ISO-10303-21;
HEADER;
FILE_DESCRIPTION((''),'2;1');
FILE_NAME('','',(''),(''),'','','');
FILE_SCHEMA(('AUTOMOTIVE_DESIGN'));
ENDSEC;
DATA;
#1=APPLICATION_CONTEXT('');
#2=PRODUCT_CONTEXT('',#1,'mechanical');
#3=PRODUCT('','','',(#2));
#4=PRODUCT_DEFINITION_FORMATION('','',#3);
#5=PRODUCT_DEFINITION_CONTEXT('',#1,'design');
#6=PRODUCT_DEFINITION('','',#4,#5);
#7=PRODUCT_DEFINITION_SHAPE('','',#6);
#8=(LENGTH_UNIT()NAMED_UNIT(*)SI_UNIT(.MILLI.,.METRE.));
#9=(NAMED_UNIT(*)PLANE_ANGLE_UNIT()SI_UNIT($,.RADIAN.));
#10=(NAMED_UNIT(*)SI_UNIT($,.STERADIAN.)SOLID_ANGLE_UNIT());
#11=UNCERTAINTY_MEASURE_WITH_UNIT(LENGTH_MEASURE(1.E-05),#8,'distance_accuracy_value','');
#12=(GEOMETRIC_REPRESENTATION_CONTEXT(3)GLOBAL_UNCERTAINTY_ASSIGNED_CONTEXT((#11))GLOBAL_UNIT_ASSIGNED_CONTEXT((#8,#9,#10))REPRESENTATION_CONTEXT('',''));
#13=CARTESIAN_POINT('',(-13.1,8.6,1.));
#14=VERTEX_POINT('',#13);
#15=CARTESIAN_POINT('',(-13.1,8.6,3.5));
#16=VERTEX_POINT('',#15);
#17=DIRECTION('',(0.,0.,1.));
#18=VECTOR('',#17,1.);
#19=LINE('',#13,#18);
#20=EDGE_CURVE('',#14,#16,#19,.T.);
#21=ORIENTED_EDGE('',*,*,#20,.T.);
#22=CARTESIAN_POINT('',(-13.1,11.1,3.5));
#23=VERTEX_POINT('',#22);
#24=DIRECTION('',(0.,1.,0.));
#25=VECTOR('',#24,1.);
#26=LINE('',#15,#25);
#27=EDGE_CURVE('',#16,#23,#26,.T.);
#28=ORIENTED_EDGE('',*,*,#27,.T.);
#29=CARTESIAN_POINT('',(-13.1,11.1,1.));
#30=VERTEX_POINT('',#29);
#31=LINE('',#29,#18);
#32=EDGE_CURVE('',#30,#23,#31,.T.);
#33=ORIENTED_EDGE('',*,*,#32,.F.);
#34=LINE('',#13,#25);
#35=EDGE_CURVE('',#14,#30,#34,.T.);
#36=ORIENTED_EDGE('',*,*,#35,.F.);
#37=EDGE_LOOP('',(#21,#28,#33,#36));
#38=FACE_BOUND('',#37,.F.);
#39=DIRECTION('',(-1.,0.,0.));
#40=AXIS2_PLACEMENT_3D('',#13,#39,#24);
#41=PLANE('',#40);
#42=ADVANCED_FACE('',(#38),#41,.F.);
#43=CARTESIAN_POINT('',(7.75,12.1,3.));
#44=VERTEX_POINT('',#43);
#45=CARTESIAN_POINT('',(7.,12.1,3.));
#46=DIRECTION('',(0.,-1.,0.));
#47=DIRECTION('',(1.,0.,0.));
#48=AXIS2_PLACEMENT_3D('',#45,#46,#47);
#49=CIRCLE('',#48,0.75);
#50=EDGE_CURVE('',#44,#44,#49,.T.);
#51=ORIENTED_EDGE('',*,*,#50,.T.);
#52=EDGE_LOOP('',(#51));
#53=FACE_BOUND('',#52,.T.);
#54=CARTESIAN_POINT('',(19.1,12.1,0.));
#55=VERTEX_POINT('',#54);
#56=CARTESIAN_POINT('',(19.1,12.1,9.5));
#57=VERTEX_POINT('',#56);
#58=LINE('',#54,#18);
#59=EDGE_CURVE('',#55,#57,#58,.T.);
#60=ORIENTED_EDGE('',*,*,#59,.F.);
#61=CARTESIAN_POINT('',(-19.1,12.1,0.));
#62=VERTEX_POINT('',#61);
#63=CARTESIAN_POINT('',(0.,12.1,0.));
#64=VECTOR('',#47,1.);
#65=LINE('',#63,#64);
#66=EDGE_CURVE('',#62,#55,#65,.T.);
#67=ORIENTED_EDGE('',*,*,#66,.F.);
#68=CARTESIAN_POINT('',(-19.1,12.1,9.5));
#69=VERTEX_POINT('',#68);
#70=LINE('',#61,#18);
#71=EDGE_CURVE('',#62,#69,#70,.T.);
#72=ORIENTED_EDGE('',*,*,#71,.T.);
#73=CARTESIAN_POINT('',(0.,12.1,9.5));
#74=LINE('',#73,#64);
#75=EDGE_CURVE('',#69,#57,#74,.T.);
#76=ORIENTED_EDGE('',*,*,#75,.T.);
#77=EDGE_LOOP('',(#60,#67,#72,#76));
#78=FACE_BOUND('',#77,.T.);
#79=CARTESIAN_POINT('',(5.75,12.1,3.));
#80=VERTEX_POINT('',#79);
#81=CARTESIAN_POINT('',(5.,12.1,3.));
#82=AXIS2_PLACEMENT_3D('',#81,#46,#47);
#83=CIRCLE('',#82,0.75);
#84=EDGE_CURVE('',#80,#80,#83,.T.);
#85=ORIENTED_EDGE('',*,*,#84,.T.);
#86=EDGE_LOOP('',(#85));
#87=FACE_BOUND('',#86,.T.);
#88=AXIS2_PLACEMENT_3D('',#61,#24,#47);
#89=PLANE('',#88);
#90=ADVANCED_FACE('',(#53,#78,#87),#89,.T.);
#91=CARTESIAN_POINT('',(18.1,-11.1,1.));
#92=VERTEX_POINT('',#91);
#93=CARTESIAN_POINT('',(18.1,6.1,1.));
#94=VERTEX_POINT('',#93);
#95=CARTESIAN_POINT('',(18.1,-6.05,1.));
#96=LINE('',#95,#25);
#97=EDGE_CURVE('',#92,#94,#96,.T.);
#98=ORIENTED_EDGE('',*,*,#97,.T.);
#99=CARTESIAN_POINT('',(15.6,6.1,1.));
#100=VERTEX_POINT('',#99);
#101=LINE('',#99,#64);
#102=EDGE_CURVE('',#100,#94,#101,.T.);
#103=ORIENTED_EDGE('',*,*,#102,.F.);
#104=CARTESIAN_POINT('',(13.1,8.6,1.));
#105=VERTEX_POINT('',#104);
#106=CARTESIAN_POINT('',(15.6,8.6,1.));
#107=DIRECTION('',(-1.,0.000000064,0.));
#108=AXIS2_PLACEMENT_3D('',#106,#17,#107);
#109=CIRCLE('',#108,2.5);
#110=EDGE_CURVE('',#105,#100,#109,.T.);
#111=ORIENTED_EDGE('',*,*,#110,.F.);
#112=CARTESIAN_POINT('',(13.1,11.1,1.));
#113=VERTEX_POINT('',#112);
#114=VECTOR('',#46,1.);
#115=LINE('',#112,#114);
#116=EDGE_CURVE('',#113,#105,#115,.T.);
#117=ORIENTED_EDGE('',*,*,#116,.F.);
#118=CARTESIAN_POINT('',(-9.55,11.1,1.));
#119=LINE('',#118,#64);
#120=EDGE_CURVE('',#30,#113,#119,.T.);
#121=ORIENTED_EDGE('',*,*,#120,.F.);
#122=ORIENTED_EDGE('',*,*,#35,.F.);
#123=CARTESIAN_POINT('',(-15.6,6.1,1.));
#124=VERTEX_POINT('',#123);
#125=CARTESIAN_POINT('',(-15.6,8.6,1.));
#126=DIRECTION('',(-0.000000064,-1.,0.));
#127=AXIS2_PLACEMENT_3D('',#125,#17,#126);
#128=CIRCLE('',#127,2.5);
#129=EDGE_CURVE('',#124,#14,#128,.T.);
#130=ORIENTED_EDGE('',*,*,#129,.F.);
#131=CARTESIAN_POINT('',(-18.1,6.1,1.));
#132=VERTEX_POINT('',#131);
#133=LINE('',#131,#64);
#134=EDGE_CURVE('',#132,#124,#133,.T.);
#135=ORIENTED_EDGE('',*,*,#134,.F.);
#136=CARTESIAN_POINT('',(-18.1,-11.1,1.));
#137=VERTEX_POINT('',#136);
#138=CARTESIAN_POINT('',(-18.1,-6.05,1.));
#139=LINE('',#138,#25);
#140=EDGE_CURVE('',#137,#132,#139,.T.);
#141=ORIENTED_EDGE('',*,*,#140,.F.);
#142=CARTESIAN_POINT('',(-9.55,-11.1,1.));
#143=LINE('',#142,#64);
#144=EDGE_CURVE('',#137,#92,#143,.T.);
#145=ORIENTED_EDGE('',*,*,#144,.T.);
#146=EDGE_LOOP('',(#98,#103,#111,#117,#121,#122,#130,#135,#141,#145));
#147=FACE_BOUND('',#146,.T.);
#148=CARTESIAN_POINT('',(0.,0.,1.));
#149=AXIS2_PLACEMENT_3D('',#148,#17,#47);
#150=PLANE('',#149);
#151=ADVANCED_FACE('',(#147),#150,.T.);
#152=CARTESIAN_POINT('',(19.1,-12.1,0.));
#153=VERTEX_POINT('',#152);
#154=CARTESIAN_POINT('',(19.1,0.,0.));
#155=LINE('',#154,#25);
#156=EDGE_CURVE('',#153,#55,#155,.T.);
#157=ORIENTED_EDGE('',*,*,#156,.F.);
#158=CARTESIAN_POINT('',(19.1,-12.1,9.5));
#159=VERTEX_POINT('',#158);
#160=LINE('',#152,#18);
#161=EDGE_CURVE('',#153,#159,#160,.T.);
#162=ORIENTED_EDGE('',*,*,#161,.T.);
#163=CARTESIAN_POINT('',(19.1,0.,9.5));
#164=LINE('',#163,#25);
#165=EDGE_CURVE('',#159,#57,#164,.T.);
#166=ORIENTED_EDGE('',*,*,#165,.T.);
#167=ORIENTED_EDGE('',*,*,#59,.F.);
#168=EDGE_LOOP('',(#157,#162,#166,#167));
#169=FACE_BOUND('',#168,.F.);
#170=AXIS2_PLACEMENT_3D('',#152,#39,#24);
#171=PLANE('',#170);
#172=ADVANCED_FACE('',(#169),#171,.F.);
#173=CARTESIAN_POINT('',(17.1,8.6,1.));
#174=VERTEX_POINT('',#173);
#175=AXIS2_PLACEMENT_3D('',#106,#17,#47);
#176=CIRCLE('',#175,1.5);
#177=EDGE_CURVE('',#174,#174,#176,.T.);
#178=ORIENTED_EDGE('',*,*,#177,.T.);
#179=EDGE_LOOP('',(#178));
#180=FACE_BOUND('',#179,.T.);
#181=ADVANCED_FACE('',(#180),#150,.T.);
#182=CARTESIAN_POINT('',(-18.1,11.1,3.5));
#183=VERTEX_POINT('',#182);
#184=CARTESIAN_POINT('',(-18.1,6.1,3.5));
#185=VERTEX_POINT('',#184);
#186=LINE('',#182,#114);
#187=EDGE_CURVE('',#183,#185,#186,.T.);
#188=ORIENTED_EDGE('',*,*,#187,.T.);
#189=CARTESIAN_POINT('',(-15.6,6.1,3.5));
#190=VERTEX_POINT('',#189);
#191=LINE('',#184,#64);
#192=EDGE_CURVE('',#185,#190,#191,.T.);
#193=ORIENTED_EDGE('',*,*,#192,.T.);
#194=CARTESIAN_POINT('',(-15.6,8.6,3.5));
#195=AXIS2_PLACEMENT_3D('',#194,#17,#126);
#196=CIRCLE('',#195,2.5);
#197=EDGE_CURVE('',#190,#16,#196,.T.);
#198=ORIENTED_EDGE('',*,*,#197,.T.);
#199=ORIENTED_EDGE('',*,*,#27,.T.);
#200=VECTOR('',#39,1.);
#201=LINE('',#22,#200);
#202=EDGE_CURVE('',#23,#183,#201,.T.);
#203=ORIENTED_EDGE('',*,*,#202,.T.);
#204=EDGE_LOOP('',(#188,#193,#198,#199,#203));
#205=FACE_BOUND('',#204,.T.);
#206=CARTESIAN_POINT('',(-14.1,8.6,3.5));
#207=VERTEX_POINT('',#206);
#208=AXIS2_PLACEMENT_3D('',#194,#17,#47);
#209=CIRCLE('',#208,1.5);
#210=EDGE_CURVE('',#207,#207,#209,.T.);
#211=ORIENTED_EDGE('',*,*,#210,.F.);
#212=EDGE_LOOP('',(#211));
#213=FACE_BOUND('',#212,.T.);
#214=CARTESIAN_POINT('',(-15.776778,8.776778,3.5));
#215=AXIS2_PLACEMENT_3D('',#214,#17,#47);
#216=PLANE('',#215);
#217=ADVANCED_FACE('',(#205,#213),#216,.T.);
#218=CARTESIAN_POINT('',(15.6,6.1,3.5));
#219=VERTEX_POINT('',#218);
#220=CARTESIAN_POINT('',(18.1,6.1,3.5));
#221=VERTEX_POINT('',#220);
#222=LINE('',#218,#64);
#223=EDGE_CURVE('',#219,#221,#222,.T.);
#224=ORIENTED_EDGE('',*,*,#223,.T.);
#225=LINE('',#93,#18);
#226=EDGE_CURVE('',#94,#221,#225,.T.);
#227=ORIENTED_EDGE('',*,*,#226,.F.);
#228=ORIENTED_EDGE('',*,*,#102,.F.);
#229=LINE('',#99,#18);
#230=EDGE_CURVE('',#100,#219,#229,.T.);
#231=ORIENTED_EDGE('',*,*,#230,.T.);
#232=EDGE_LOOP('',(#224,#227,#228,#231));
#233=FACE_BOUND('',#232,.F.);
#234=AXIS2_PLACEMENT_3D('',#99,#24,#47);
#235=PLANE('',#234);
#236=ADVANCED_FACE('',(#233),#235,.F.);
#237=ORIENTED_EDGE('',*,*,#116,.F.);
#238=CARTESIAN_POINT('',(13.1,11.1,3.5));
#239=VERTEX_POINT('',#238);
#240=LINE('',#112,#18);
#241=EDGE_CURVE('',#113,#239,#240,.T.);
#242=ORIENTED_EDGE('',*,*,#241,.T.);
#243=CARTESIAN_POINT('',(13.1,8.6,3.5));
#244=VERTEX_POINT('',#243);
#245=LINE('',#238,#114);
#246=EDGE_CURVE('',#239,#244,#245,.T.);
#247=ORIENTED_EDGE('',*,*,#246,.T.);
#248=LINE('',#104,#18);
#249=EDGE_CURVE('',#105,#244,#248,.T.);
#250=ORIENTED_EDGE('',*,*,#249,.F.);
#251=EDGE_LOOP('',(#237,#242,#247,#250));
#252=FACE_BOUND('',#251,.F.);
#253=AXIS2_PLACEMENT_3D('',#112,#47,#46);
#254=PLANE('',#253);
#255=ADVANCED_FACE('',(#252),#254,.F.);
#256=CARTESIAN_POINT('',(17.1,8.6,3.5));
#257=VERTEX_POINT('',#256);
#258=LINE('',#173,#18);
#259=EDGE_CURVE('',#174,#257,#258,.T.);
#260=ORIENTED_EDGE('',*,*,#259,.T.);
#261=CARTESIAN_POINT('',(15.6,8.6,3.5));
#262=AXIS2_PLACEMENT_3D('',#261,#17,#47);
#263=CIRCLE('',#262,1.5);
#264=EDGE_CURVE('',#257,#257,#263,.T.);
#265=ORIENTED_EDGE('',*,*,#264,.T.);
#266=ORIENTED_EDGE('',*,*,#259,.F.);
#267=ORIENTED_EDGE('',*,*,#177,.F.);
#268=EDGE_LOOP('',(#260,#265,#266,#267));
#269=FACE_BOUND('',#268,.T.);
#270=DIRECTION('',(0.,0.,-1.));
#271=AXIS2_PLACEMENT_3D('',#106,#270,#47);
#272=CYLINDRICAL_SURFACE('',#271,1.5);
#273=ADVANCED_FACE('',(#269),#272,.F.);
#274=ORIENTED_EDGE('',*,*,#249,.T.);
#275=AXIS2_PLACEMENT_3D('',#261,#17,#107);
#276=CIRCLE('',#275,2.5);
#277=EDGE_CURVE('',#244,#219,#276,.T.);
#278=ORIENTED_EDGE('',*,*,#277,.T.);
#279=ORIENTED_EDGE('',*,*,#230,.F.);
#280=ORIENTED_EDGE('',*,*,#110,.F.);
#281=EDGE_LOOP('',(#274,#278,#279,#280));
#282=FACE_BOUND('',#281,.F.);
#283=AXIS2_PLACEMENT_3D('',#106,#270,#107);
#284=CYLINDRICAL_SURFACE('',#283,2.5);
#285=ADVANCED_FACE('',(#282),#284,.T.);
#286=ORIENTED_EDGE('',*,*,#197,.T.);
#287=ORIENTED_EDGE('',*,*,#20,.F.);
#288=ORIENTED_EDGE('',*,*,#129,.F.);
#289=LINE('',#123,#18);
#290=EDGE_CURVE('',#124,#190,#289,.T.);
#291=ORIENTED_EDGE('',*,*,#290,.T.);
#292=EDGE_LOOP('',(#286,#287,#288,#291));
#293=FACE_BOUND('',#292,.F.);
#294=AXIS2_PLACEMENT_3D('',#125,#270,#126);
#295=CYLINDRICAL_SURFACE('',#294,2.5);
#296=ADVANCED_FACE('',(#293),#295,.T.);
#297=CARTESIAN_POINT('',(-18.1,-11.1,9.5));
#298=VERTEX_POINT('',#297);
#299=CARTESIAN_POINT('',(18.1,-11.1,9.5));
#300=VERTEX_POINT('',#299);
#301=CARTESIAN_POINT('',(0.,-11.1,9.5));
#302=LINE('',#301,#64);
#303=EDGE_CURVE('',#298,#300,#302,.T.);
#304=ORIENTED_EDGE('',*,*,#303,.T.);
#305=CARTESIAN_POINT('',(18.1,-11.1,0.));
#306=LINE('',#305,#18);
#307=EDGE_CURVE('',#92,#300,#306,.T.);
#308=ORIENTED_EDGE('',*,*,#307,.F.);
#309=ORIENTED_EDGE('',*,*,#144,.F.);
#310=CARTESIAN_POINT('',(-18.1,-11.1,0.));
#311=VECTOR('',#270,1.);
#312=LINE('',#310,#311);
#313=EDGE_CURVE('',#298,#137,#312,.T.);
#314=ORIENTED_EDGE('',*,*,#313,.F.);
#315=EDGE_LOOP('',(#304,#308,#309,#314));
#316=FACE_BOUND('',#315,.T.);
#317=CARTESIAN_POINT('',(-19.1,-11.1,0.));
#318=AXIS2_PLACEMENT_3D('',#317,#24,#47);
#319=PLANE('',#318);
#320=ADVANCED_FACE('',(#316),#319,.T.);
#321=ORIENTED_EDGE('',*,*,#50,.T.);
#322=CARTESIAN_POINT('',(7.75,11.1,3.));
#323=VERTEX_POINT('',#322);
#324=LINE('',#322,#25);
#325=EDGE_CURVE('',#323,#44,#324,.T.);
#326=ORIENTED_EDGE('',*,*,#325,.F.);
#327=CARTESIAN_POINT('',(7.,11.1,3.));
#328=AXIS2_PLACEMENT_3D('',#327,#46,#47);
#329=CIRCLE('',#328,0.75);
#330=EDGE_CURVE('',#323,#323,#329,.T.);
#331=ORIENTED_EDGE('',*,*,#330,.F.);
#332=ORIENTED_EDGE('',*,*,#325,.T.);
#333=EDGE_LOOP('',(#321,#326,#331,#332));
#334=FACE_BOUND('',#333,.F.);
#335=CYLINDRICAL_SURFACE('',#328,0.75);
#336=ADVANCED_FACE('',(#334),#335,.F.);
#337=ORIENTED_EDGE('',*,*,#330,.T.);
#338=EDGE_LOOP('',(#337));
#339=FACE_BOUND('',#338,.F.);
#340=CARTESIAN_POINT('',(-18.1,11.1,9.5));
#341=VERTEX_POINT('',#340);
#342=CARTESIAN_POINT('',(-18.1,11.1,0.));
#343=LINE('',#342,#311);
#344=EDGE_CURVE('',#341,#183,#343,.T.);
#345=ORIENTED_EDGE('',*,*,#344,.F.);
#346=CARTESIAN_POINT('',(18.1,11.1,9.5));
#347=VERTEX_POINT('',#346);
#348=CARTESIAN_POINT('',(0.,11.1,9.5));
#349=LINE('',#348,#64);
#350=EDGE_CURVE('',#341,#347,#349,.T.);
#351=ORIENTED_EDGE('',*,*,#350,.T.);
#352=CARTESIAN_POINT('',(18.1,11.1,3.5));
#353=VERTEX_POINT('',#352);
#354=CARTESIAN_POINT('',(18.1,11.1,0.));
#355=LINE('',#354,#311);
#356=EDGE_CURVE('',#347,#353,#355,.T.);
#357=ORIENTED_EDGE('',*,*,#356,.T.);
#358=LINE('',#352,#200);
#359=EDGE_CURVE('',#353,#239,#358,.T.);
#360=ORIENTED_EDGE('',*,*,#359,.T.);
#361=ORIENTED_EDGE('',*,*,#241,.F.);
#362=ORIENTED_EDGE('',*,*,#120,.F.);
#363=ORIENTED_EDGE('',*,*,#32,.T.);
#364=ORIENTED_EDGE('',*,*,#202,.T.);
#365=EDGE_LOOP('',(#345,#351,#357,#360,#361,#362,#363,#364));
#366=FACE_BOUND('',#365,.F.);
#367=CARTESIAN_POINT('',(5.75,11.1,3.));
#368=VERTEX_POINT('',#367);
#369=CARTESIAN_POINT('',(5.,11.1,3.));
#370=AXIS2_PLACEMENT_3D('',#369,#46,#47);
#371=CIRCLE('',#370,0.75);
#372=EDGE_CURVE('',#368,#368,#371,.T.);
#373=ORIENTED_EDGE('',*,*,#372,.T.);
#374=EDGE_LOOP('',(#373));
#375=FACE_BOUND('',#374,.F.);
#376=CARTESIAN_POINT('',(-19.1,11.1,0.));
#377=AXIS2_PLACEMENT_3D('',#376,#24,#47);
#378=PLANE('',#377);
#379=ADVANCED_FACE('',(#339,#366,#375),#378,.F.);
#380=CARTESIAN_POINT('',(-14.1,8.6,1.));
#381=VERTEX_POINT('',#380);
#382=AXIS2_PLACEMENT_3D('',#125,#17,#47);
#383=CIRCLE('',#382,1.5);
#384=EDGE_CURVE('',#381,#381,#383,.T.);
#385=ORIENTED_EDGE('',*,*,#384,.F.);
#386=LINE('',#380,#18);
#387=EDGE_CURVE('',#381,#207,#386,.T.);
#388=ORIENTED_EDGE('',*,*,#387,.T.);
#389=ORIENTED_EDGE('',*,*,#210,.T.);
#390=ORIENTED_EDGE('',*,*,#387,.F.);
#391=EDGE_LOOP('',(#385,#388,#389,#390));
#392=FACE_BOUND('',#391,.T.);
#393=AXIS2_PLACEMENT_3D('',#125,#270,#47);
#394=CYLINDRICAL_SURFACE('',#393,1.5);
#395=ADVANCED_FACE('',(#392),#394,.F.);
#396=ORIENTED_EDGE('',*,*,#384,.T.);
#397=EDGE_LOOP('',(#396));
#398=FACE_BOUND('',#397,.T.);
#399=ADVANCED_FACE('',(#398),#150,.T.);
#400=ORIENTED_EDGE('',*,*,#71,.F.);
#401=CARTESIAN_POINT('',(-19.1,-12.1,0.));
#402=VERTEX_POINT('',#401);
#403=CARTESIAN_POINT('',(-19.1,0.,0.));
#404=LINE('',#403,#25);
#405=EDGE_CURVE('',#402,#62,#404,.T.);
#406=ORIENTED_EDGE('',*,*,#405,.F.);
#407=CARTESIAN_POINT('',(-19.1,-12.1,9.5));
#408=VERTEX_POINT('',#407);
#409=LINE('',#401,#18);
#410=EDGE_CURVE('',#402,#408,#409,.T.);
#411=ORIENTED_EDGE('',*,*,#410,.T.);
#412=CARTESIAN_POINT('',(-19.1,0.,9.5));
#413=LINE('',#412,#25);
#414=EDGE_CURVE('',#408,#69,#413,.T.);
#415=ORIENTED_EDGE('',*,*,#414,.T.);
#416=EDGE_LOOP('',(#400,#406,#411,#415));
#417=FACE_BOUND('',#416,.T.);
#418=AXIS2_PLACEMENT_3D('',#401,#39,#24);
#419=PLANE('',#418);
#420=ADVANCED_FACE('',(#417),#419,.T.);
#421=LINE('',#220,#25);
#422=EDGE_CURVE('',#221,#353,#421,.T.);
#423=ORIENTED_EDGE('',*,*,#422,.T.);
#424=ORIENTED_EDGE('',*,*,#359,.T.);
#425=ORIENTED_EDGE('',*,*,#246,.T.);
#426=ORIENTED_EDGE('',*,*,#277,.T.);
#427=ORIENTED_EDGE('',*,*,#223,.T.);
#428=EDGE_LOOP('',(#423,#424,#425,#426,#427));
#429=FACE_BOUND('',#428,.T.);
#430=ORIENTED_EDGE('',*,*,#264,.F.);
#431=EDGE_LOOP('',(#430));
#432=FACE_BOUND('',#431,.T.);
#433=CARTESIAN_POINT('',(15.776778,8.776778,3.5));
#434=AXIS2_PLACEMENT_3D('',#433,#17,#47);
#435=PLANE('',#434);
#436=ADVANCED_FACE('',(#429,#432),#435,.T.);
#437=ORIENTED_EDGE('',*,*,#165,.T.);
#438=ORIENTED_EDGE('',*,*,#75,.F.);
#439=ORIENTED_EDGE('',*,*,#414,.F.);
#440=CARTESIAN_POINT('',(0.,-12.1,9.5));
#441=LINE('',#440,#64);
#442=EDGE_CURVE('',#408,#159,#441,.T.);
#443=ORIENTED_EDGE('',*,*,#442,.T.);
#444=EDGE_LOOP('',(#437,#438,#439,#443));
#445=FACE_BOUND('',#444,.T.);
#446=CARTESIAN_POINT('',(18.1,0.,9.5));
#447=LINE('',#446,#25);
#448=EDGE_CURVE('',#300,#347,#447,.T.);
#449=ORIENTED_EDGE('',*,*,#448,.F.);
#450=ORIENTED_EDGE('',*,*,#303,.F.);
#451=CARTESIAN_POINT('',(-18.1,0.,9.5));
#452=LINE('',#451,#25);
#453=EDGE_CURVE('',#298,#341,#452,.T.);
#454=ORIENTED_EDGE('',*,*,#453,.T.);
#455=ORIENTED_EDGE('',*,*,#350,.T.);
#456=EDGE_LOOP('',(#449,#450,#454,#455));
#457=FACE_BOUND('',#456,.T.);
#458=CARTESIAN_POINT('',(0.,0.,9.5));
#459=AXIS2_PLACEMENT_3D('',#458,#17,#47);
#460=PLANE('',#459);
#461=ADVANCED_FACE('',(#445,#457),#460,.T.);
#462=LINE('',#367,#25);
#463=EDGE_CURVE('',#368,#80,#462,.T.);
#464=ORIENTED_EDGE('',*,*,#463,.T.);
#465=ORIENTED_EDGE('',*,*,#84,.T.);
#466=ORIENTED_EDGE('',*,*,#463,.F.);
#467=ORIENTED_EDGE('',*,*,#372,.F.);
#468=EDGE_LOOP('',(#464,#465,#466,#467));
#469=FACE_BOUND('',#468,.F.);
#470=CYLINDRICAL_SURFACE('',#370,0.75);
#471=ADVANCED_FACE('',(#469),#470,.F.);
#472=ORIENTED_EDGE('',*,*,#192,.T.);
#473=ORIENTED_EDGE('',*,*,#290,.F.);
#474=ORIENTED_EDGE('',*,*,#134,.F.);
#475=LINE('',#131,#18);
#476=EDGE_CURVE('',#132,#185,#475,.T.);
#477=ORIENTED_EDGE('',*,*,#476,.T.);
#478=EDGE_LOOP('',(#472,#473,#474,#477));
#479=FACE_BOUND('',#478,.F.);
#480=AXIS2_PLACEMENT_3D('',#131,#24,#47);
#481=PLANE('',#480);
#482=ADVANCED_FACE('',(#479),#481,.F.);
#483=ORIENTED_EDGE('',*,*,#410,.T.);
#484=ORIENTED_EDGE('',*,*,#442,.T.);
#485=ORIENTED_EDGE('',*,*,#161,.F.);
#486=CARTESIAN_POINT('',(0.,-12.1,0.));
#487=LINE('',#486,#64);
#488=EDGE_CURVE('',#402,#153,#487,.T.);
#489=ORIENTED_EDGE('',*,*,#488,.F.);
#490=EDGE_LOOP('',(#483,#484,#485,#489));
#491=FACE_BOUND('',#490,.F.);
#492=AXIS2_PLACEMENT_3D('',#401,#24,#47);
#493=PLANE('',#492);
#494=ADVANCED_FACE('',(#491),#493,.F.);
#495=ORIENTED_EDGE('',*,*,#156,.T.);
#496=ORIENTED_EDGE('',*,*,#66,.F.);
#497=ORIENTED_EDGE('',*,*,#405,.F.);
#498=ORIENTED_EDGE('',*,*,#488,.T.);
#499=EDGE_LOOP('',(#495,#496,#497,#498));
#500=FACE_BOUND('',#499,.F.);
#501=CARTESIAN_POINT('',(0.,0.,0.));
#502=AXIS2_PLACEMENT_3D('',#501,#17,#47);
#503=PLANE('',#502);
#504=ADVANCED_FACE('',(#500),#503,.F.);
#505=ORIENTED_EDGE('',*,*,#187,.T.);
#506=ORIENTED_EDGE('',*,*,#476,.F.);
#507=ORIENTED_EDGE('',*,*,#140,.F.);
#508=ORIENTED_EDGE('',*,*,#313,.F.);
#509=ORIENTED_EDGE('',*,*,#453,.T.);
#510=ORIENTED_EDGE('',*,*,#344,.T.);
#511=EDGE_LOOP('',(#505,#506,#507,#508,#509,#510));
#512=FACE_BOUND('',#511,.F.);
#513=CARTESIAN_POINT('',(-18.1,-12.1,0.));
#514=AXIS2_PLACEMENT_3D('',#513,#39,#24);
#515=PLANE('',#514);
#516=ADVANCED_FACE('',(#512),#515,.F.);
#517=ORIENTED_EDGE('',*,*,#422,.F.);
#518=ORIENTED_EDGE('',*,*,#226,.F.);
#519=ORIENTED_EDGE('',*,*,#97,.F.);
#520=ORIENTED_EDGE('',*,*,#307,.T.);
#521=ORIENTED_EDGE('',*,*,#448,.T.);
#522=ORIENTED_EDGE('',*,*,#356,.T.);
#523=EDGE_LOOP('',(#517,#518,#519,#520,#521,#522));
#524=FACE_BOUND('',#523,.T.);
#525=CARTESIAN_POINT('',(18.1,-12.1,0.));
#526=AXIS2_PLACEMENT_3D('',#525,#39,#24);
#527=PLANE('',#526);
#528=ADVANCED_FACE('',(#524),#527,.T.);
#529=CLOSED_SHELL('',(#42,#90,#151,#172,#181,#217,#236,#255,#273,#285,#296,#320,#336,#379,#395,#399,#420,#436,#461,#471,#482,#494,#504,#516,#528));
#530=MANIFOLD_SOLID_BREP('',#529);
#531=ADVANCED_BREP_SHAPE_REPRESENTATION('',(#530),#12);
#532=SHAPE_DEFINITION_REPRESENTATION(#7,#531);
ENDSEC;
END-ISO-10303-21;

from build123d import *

# Parameters (mm, degrees)
F0_W     = 38.2
F0_H     = 24.2
F1_DEPTH = 9.5
F2_T     = -1
F3_R     = 1.5
F4_DEPTH = 2.5
F5_R     = 0.75
F6_DEPTH = 1


with BuildPart() as f1:
    # F0 (on Top) → F1 (new body)
    with BuildSketch(Plane.XY):
        Rectangle(F0_W, F0_H)
    extrude(amount=F1_DEPTH)

    # F2
    f2_openings = [f1.faces().sort_by_distance(p)[0] for p in [
        (0, 0, 9.5),
    ]]
    offset(amount=F2_T, openings=f2_openings)

    # F3 (on face) → F4 (join)
    with BuildSketch(Plane.XY.offset(1)):
        with BuildLine():
            Line((-18.1, 6.1), (-15.6, 6.1))
            ThreePointArc((-15.6, 6.1), (-13.832233, 6.832233), (-13.1, 8.6))
            Line((-13.1, 8.6), (-13.1, 11.1))
            Line((-13.1, 11.1), (-18.1, 11.1))
            Line((-18.1, 11.1), (-18.1, 6.1))
        make_face()
        with Locations((-15.6, 8.6)):
            Circle(F3_R, mode=Mode.SUBTRACT)
        with BuildLine():
            Line((13.1, 11.1), (13.1, 8.6))
            ThreePointArc((13.1, 8.6), (13.832233, 6.832233), (15.6, 6.1))
            Line((15.6, 6.1), (18.1, 6.1))
            Line((18.1, 6.1), (18.1, 11.1))
            Line((18.1, 11.1), (13.1, 11.1))
        make_face()
        with Locations((15.6, 8.6)):
            Circle(F3_R, mode=Mode.SUBTRACT)
    extrude(amount=F4_DEPTH)

    # F5 (on face) → F6 (cut, through all)
    with BuildSketch(Plane.XZ.offset(-11.1)):
        with Locations((5, 3)):
            Circle(F5_R)
        with Locations((7, 3)):
            Circle(F5_R)
    extrude(amount=-F6_DEPTH, mode=Mode.SUBTRACT)


solid = f1.part
